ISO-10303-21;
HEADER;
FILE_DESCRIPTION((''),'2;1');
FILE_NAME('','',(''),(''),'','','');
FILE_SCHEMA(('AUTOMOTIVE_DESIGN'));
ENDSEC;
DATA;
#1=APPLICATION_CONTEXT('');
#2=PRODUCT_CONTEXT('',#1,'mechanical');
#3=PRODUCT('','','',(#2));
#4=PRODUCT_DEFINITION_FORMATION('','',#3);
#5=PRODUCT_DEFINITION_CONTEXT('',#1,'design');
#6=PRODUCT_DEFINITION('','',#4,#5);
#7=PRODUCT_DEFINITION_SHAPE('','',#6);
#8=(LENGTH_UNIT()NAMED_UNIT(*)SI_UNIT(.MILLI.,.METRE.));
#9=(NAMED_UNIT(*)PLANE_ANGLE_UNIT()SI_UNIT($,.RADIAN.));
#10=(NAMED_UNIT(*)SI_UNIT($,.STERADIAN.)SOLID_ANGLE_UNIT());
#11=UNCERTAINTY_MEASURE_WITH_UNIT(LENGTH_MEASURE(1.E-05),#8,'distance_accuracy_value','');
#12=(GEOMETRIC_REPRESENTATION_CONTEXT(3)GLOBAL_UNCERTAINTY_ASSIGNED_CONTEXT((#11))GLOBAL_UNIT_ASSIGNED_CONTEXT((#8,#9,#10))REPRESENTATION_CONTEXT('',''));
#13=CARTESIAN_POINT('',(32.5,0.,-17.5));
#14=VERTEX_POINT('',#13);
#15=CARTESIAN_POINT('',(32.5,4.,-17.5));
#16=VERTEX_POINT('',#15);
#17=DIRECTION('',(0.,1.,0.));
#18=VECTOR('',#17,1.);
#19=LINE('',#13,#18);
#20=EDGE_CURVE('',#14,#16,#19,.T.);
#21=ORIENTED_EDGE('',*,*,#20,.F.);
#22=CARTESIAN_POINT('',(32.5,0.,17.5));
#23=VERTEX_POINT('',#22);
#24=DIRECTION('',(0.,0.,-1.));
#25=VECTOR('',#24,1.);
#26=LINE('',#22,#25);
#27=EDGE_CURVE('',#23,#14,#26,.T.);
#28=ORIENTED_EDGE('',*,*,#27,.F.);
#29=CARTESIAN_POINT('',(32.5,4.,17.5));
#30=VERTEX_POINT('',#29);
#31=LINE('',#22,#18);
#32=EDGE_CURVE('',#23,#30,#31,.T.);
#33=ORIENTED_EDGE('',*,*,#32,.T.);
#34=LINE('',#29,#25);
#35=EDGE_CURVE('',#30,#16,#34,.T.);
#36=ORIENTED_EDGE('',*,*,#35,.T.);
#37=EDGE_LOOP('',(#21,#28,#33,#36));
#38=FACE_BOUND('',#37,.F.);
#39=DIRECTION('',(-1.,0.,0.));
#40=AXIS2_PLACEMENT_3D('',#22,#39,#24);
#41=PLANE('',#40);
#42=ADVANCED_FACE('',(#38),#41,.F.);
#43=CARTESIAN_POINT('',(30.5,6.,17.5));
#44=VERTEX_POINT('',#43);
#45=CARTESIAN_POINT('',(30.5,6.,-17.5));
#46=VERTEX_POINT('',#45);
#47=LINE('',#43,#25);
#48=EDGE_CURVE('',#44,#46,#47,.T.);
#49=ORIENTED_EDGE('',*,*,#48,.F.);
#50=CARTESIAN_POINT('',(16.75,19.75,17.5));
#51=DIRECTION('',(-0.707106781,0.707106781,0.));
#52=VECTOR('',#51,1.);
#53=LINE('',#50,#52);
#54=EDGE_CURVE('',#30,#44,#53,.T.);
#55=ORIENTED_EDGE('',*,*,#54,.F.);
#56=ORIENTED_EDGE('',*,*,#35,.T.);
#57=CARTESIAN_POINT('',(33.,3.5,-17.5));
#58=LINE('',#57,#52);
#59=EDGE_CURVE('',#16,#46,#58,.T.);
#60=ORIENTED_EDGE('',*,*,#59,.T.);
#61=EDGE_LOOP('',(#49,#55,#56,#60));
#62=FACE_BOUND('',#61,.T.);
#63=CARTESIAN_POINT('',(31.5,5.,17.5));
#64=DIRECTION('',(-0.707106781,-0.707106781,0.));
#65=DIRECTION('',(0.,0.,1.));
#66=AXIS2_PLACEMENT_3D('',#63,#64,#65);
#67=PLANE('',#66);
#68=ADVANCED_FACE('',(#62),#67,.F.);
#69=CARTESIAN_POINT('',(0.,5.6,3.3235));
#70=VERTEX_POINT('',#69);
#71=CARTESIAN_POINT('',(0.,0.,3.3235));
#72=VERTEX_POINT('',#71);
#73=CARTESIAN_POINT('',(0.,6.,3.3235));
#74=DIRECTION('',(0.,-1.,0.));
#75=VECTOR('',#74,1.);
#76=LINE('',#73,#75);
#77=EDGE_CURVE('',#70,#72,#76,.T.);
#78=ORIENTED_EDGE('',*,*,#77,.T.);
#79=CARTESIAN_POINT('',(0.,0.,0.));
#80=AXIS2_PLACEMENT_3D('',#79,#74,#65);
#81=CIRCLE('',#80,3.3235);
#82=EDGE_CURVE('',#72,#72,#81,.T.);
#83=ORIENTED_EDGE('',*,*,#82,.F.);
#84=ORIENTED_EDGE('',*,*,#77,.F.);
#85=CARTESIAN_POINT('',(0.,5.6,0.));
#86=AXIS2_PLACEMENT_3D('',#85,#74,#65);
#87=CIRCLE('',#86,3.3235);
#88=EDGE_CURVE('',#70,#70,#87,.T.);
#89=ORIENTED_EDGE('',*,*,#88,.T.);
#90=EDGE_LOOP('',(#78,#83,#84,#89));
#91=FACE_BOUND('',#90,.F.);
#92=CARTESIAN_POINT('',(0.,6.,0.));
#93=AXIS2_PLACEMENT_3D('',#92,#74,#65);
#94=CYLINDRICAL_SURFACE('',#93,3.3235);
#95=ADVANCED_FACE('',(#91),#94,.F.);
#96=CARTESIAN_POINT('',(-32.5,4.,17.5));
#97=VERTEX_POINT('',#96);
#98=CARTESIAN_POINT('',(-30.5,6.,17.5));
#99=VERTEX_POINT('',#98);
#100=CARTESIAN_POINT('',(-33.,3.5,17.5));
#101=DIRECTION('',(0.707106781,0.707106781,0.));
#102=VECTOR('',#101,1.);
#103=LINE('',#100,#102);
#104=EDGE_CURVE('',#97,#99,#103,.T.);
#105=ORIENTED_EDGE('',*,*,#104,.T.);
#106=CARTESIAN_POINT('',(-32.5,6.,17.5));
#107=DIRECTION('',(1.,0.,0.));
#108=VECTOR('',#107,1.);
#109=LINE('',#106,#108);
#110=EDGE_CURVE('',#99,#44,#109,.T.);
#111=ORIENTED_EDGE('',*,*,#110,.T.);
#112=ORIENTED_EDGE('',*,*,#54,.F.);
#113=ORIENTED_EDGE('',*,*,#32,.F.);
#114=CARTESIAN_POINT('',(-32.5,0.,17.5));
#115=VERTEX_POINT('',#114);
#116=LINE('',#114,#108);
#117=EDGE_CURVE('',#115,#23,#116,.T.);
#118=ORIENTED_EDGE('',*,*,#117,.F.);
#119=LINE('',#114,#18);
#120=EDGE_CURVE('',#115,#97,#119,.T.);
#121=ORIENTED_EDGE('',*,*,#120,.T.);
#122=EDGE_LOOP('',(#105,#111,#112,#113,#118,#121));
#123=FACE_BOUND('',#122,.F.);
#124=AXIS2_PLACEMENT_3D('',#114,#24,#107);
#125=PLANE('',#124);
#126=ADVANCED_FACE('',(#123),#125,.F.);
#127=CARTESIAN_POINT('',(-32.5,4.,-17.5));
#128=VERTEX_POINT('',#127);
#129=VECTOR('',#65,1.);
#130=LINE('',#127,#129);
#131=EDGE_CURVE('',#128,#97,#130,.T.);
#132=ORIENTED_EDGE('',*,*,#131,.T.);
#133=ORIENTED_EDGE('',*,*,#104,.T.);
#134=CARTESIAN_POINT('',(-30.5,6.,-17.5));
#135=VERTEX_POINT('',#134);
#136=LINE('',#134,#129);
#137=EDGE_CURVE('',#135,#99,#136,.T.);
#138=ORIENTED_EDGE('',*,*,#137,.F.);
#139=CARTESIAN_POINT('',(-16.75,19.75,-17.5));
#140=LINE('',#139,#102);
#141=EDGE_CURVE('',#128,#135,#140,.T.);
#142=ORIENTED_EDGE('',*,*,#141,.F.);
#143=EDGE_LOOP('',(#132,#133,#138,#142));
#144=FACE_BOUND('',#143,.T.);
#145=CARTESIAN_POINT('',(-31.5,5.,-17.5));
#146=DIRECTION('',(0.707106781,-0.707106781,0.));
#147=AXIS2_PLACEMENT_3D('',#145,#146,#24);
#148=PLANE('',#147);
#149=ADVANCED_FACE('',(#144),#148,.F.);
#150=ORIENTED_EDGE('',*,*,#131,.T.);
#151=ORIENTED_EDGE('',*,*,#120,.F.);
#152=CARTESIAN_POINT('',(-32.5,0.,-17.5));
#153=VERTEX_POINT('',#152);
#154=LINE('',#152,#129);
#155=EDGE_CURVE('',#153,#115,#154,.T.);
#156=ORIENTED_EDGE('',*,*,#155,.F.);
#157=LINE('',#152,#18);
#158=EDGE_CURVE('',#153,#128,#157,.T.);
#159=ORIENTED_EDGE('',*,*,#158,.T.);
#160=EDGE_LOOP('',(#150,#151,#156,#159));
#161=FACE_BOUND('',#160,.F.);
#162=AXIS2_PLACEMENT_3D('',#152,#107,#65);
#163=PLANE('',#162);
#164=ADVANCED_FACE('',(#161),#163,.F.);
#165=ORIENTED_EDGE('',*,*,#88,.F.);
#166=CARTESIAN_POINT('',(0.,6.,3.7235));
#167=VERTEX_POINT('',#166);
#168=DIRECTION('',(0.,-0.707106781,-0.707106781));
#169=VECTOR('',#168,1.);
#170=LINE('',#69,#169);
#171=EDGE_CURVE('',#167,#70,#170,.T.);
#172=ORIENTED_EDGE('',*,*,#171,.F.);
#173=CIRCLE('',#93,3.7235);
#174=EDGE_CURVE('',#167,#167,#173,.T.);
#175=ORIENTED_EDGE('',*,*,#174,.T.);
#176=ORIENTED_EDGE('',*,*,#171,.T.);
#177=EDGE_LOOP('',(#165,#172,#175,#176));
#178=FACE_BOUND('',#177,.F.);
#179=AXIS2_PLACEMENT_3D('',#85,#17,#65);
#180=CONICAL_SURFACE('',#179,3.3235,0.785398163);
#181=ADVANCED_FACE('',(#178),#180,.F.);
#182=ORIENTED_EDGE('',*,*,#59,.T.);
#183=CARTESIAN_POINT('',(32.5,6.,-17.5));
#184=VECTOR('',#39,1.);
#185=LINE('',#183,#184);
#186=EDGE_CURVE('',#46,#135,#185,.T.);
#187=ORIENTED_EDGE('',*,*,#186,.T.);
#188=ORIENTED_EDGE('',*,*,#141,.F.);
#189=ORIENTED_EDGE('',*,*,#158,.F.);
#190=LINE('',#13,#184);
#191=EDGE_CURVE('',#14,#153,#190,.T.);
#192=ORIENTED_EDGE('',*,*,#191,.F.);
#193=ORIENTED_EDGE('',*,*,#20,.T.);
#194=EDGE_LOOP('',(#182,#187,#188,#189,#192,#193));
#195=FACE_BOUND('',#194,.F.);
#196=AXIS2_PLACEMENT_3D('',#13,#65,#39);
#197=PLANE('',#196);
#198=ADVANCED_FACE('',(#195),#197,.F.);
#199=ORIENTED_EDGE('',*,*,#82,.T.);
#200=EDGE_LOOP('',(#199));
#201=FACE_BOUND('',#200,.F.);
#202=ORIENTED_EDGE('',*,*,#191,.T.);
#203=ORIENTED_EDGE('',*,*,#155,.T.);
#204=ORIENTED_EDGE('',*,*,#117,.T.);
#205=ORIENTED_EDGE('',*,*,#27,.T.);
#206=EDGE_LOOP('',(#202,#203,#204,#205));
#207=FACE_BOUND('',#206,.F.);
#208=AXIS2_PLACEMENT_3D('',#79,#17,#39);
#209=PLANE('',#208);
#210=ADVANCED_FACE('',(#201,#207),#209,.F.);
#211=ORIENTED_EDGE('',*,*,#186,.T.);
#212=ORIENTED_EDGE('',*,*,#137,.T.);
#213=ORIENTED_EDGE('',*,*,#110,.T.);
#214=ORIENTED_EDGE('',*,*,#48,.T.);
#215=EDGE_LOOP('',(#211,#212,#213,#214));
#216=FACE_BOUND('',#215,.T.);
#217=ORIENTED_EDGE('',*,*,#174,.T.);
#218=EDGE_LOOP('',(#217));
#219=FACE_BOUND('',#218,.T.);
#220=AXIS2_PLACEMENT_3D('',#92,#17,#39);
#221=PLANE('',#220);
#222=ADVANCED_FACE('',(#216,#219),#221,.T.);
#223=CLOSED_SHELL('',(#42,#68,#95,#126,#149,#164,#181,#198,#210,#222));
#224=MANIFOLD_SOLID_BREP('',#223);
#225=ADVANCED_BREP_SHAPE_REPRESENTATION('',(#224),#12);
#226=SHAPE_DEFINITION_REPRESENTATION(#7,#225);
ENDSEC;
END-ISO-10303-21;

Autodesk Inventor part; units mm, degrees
ref_plane "YZ Plane" through (0, 0, 0) normal (1, 0, 0) x (0, 1, 0)
ref_plane "XZ Plane" through (0, 0, 0) normal (0, 1, 0) x (-1, 0, 0)
ref_plane "XY Plane" through (0, 0, 0) normal (0, 0, 1) x (1, 0, 0)
sketch "Náčrt2" plane through (0, 0, 0) normal (0, 1, 0) x (-1, 0, 0)
  line L0 (32.5, 17.5) -> (-32.5, 17.5)
  line L1 (-32.5, 17.5) -> (-32.5, -17.5)
  line L2 (-32.5, -17.5) -> (32.5, -17.5)
  line L3 (32.5, -17.5) -> (32.5, 17.5)
  point P0 (0, 0)
  point P1 (32.5, 0)
  point P2 (0, 17.5)
  dimension "d0" = 65
  dimension "d1" = 35
extrude "Vysunutí1" add sketch "Náčrt2" along normal blind 6
chamfer "Zkosení3" distance 2 angle 45 2 edges at (-32.5, 6, 0) (32.5, 6, 0)
sketch "Náčrt6" plane through (0, 6, 0) normal (0, 1, 0) x (1, 0, 0)
  point P0 (0, 0)
hole "Díra1" at (0, 6, 0) direction (0, -1, 0) diameter 6.647 end through all thread size "M8x1.25" class "6H" standard "ISO Metric profile"
chamfer "Zkosení4" distance 0.4 angle 45 1 edges at (0, 6, -3.3235)
equation "\"PoloměrOhybu\" = Tloušťka"
equation "\"ŠířkaVýštipu\" = Tloušťka"
equation "\"HloubkaVýštipu\" = 0.5 * Tloušťka"
equation "\"MinimálníZbytek\" = 2 * Tloušťka"
equation "\"PřechodovýPoloměr\" = PoloměrOhybu"
equation "\"VelikostJacobihoPoloměru\" = PoloměrOhybu"
equation "\"VelikostMezery\" = Tloušťka"
equation "\"Tloušťka\" = 2.5"
properties part number "DD_KVD_004_04_B" material "Nerezová ocel"
